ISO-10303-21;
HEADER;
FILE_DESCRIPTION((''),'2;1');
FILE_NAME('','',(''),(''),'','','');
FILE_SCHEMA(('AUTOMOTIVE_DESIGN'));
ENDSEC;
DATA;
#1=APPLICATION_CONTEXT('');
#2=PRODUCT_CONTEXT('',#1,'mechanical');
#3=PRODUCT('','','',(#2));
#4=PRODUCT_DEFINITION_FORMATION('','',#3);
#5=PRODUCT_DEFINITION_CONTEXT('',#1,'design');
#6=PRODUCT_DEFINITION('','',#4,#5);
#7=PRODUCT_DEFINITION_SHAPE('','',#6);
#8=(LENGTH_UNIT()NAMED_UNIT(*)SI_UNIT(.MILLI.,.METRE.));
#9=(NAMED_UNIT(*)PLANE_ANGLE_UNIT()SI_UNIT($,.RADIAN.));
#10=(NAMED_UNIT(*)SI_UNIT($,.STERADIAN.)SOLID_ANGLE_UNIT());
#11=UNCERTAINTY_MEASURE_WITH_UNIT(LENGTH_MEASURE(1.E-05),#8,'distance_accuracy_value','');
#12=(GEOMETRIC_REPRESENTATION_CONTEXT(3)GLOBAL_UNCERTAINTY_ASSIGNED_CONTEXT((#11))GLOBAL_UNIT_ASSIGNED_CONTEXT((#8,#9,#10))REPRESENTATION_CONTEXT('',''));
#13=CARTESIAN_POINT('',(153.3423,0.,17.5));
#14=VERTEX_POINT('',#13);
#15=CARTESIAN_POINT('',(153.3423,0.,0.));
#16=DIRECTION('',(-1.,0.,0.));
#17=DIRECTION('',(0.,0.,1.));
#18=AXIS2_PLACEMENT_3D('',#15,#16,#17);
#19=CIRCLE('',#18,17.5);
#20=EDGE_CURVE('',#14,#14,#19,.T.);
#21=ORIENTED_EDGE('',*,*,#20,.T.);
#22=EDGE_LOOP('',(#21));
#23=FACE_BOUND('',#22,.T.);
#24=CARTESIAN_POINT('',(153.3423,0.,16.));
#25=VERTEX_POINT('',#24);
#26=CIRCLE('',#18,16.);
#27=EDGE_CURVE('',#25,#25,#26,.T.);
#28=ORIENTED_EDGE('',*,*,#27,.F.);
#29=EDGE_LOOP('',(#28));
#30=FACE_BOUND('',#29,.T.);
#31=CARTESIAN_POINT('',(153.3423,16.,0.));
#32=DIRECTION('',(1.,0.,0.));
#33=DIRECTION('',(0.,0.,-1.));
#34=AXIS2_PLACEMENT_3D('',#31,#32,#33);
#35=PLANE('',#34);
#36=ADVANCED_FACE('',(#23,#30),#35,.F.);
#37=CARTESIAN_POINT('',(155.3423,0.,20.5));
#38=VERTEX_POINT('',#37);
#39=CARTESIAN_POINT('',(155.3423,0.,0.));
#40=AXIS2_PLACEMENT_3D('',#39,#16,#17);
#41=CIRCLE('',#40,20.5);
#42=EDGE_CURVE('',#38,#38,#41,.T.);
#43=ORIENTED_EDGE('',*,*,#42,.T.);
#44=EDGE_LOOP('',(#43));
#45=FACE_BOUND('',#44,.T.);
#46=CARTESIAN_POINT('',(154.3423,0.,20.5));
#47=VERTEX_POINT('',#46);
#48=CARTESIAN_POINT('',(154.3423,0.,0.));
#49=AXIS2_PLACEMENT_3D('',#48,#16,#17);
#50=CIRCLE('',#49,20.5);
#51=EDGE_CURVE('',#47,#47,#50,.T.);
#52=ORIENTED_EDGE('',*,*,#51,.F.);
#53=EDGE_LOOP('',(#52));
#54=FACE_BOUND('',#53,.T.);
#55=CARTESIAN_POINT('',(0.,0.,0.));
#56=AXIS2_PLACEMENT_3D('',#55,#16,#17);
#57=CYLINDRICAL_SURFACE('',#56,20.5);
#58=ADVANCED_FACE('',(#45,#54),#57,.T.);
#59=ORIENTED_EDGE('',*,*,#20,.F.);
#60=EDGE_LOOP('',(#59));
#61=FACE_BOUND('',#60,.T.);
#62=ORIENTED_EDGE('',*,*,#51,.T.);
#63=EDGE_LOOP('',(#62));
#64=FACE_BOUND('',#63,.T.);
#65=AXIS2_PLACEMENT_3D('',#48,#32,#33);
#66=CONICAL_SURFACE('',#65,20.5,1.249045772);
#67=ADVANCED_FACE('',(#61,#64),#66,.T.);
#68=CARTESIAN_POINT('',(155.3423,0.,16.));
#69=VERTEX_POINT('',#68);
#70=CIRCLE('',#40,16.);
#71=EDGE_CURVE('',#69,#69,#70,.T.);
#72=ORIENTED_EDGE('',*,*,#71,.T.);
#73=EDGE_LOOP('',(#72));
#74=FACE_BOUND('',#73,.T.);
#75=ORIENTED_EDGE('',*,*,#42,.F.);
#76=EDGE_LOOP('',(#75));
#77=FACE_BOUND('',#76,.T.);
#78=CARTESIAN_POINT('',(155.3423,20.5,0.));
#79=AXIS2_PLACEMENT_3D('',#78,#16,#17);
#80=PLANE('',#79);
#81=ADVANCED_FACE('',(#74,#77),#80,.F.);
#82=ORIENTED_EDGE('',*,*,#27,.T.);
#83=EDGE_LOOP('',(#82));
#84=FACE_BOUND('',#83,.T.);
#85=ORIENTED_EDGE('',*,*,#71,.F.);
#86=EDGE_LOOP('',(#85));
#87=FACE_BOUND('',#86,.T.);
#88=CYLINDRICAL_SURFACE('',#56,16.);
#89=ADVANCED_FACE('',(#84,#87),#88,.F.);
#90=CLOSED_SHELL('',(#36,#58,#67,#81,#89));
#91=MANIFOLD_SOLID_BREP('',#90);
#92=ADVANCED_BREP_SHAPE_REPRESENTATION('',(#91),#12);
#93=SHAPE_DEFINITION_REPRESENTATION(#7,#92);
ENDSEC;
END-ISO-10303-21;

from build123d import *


with BuildPart() as part:
    # Szkic1 → Obrót1 (revolve)
    with BuildSketch(Plane.XY):
        Polygon((153.342300415, 16), (153.342300415, 17.5), (154.342300415, 20.5), (155.342300415, 20.5), (155.342300415, 16), align=None)
    revolve(axis=Axis((0, 0, 0), (1, 0, 0)))


solid = part.part
